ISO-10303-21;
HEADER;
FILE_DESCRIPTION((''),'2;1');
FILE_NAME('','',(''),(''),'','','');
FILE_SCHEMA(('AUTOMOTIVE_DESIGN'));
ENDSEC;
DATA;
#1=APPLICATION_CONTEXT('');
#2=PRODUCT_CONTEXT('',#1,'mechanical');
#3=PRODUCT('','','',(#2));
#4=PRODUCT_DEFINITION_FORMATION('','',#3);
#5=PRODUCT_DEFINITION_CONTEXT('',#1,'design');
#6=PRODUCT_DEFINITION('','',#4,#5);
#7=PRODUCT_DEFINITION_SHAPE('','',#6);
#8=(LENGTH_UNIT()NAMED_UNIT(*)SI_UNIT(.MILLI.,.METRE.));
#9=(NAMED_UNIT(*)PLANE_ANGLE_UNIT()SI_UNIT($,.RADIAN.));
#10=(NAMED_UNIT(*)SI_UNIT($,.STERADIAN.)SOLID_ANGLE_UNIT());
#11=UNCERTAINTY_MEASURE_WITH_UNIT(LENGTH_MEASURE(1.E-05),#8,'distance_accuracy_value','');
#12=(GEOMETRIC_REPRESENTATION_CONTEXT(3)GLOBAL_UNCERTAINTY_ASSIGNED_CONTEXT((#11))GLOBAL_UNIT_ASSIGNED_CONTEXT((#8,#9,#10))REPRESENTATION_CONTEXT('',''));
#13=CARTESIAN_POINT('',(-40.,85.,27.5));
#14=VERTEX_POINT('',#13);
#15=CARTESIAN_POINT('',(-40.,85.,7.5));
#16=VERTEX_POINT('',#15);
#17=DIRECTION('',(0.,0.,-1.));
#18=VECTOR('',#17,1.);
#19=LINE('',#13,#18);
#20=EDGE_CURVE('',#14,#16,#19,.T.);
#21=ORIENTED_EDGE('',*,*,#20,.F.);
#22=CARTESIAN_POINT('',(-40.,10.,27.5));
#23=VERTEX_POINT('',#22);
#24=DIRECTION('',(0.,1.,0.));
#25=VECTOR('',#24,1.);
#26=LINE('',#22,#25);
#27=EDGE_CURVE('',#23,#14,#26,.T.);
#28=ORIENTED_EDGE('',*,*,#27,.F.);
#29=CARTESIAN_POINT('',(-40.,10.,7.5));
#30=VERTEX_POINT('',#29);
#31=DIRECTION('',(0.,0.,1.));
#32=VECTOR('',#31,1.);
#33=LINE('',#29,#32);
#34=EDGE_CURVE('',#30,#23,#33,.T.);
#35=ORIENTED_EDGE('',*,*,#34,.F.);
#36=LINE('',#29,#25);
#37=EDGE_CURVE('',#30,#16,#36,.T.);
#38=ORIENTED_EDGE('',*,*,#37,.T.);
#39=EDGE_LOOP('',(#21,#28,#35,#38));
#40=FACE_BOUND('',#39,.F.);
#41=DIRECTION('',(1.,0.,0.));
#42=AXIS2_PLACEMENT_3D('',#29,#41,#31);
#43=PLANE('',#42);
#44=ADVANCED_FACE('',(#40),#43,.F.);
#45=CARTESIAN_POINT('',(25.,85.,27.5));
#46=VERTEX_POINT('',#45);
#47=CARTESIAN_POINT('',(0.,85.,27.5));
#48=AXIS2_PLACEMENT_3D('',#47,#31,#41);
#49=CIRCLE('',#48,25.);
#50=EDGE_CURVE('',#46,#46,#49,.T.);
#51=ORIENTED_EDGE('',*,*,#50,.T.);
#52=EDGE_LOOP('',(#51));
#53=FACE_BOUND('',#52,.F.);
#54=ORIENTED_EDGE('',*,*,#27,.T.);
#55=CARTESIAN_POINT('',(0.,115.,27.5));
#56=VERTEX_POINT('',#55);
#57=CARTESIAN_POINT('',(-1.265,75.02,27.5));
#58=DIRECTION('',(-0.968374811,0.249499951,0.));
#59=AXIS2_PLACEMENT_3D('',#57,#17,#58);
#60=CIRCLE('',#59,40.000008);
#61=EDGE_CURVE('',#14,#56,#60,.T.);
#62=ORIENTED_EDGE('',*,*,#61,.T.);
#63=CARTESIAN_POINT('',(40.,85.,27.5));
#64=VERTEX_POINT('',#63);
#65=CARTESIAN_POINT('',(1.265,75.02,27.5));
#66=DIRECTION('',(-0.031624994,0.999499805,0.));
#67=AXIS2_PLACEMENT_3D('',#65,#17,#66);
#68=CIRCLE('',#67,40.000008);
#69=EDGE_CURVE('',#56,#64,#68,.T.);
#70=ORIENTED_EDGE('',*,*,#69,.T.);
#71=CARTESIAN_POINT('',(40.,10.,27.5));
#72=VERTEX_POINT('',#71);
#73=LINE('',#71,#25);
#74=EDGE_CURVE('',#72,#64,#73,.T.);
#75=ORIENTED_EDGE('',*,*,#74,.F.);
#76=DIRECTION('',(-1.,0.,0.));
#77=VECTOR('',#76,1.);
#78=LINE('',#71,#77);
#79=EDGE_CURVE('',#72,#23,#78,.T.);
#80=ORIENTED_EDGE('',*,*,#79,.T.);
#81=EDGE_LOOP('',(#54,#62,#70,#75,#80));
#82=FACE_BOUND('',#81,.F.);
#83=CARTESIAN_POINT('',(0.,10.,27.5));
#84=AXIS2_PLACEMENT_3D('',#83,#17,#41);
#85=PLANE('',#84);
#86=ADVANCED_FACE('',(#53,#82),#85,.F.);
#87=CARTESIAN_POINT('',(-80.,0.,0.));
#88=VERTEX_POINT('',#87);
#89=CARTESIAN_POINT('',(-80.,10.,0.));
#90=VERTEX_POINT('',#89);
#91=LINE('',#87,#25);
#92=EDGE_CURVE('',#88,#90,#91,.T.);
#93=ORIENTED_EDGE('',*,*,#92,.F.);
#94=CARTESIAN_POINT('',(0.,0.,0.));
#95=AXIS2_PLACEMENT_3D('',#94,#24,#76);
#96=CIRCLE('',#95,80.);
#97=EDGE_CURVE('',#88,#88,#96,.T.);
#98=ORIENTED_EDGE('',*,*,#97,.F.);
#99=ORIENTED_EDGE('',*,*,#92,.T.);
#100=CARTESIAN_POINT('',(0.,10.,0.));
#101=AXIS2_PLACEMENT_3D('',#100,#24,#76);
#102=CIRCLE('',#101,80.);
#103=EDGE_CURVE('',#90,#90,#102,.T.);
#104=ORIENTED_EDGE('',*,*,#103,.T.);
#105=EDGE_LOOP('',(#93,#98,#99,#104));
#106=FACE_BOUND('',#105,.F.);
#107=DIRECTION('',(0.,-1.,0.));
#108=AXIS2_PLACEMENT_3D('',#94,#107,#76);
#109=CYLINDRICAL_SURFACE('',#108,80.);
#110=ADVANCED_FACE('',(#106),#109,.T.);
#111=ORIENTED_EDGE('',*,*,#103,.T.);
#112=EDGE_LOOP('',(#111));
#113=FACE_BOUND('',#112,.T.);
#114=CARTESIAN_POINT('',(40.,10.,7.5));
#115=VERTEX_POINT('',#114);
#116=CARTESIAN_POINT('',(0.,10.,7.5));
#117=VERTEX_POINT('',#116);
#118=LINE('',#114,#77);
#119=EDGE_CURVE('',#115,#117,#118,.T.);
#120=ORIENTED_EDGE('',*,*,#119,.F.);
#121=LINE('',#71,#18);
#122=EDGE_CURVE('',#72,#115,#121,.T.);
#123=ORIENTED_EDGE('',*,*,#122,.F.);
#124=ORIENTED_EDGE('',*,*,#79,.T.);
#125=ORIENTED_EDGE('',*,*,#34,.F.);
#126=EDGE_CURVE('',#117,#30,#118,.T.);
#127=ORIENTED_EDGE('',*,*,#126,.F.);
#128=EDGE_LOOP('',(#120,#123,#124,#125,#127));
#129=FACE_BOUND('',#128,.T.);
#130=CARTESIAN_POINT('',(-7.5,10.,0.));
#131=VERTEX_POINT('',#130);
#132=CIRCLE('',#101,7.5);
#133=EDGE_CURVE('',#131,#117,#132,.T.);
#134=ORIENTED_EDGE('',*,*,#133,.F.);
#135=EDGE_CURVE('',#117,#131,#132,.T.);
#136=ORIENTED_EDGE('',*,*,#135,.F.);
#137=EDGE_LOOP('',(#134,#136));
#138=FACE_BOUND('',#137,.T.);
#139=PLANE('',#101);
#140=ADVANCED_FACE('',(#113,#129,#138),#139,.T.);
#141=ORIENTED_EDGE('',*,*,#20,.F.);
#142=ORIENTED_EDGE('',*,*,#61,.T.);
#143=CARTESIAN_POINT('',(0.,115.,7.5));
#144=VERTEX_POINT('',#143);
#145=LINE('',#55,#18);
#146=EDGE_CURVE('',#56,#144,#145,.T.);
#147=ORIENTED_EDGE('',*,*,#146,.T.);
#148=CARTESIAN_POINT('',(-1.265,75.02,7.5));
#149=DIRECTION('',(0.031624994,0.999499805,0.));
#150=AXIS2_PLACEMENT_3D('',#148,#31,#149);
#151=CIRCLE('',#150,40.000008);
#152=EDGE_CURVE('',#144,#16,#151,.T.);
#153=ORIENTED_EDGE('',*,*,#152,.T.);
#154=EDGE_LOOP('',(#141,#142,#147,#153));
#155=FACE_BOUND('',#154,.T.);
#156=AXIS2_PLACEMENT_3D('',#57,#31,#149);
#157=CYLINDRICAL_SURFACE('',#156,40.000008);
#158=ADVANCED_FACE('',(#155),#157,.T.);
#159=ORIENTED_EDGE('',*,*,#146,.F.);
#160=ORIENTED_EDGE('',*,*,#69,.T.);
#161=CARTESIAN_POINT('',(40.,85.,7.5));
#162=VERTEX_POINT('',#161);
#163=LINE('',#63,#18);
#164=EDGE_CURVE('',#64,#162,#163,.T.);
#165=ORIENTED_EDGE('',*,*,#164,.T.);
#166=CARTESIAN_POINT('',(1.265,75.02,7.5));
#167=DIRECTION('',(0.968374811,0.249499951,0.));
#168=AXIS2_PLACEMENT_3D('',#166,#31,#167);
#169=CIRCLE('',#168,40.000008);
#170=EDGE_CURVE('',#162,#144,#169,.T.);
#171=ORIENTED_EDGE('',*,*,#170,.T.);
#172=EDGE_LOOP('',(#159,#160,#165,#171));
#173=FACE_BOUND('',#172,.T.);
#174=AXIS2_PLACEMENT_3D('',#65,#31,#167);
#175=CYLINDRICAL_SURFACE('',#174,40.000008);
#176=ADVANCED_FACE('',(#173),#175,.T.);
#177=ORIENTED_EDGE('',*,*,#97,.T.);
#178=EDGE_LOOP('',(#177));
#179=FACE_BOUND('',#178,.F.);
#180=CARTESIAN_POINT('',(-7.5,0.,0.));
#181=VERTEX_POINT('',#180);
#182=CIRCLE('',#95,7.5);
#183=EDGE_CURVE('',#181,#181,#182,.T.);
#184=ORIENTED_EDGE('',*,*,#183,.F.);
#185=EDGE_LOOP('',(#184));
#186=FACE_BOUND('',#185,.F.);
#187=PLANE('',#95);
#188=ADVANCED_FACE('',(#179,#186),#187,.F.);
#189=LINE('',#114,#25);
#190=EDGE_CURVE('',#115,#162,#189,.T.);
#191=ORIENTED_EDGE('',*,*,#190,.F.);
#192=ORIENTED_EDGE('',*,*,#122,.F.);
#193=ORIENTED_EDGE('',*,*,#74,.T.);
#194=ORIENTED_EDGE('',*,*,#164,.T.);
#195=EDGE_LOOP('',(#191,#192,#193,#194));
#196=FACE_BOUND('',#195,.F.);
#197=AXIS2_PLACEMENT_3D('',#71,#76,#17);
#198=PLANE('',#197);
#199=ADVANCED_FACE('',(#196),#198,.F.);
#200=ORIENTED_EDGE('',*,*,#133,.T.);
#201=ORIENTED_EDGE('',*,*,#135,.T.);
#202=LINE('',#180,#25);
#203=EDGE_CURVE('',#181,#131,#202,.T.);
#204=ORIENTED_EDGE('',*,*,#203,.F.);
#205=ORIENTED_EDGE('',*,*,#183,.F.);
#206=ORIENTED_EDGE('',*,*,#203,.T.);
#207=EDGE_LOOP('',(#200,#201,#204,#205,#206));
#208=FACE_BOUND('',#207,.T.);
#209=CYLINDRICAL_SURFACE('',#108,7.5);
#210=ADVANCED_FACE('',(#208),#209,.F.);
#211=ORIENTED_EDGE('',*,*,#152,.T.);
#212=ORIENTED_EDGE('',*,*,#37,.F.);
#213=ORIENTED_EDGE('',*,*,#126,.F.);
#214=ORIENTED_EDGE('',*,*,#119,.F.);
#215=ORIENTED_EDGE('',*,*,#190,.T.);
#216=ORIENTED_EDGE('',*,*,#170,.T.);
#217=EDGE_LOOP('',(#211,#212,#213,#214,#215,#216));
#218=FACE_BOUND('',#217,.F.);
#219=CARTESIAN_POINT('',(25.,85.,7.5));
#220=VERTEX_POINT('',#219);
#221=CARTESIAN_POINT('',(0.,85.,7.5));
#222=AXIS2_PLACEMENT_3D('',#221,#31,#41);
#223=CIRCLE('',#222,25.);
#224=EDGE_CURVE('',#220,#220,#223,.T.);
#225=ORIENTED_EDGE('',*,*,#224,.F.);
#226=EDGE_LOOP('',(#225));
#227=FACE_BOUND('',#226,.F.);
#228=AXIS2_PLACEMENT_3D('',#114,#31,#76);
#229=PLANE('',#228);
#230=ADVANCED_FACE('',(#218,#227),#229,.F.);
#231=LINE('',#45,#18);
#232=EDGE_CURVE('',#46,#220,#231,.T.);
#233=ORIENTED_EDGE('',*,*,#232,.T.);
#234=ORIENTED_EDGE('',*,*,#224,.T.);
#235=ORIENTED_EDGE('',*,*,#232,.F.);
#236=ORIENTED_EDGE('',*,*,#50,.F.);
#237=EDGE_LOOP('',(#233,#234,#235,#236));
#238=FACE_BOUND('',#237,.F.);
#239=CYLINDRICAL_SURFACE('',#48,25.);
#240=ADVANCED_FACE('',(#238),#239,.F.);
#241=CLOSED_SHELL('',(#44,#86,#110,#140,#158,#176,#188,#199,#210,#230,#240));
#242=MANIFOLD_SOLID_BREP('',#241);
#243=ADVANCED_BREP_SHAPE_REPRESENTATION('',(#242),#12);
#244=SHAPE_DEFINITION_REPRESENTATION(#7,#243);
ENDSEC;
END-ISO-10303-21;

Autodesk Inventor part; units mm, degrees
ref_plane "YZ Plane" through (0, 0, 0) normal (1, 0, 0) x (0, 1, 0)
ref_plane "XZ Plane" through (0, 0, 0) normal (0, 1, 0) x (-1, 0, 0)
ref_plane "XY Plane" through (0, 0, 0) normal (0, 0, 1) x (1, 0, 0)
sketch "Sketch1" plane through (0, 0, 0) normal (0, 1, 0) x (-1, 0, 0)
  circle A0 centre (0, 0) radius 80
  circle A1 centre (0, 0) radius 7.5
  dimension "d0" = 160
  dimension "d1" = 15
extrude "Extrusion1" add sketch "Sketch1" along normal blind 10
sketch "Sketch2" plane through (0, 10, 0) normal (0, 1, 0) x (1, 0, 0)
  circle A0 centre (0, 0) radius 7.5 projected
  line L0 (0, -7.5) -> (-40, -7.5)
  line L1 (-40, -7.5) -> (-40, -27.5)
  line L2 (-40, -27.5) -> (0, -27.5)
  line L3 (0, -27.5) -> (0, -7.5)
  line L4 (0, -27.5) -> (40, -27.5)
  line L5 (40, -27.5) -> (40, -7.5)
  line L6 (40, -7.5) -> (0, -7.5)
  line L7 (0, -7.5) -> (0, -27.5)
  dimension "d4" = 40
  dimension "d5" = 20
  dimension "d6" = 40
extrude "Extrusion2" add sketch "Sketch2" along normal blind 150 contours L6 L5 L4 L3 | L3 L2 L1 L0
sketch "Sketch3" plane through (-40, 10, 27.5) normal (0, 0, 1) x (1, 0, 0)
  circle A0 centre (40, 75) radius 25
  line L0 (0, 150) -> (80, 150) projected
  line L1 (80, 0) -> (80, 150) projected
  line L2 (0, 150) -> (80, 150)
  line L3 (80, 150) -> (80, 105)
  line L4 (80, 105) -> (0, 105)
  line L5 (0, 105) -> (0, 150)
  line L6 (0, 0) -> (0, 150) projected
  arc A1 (40, 105) -> (0, 75) centre (38.735, 65.02) ccw
  arc A2 (80, 75) -> (40, 105) centre (41.265, 65.02) ccw
  point P0 (40, -10)
  dimension "d9" = 50
  dimension "d10" = 45
  dimension "d11" = 40
  dimension "d12" = 40
extrude "Extrusion3" cut sketch "Sketch3" against normal blind 21.45 contours A0 | L0 L1 L4 A2 A1 L5 | L4 A1 L6 | L1 A2 L4
sketch "Sketch4" plane through (-40, 10, 27.5) normal (0, 0, 1) x (1, 0, 0)
  point P0 (40, -10)
properties part number "Base Top"
